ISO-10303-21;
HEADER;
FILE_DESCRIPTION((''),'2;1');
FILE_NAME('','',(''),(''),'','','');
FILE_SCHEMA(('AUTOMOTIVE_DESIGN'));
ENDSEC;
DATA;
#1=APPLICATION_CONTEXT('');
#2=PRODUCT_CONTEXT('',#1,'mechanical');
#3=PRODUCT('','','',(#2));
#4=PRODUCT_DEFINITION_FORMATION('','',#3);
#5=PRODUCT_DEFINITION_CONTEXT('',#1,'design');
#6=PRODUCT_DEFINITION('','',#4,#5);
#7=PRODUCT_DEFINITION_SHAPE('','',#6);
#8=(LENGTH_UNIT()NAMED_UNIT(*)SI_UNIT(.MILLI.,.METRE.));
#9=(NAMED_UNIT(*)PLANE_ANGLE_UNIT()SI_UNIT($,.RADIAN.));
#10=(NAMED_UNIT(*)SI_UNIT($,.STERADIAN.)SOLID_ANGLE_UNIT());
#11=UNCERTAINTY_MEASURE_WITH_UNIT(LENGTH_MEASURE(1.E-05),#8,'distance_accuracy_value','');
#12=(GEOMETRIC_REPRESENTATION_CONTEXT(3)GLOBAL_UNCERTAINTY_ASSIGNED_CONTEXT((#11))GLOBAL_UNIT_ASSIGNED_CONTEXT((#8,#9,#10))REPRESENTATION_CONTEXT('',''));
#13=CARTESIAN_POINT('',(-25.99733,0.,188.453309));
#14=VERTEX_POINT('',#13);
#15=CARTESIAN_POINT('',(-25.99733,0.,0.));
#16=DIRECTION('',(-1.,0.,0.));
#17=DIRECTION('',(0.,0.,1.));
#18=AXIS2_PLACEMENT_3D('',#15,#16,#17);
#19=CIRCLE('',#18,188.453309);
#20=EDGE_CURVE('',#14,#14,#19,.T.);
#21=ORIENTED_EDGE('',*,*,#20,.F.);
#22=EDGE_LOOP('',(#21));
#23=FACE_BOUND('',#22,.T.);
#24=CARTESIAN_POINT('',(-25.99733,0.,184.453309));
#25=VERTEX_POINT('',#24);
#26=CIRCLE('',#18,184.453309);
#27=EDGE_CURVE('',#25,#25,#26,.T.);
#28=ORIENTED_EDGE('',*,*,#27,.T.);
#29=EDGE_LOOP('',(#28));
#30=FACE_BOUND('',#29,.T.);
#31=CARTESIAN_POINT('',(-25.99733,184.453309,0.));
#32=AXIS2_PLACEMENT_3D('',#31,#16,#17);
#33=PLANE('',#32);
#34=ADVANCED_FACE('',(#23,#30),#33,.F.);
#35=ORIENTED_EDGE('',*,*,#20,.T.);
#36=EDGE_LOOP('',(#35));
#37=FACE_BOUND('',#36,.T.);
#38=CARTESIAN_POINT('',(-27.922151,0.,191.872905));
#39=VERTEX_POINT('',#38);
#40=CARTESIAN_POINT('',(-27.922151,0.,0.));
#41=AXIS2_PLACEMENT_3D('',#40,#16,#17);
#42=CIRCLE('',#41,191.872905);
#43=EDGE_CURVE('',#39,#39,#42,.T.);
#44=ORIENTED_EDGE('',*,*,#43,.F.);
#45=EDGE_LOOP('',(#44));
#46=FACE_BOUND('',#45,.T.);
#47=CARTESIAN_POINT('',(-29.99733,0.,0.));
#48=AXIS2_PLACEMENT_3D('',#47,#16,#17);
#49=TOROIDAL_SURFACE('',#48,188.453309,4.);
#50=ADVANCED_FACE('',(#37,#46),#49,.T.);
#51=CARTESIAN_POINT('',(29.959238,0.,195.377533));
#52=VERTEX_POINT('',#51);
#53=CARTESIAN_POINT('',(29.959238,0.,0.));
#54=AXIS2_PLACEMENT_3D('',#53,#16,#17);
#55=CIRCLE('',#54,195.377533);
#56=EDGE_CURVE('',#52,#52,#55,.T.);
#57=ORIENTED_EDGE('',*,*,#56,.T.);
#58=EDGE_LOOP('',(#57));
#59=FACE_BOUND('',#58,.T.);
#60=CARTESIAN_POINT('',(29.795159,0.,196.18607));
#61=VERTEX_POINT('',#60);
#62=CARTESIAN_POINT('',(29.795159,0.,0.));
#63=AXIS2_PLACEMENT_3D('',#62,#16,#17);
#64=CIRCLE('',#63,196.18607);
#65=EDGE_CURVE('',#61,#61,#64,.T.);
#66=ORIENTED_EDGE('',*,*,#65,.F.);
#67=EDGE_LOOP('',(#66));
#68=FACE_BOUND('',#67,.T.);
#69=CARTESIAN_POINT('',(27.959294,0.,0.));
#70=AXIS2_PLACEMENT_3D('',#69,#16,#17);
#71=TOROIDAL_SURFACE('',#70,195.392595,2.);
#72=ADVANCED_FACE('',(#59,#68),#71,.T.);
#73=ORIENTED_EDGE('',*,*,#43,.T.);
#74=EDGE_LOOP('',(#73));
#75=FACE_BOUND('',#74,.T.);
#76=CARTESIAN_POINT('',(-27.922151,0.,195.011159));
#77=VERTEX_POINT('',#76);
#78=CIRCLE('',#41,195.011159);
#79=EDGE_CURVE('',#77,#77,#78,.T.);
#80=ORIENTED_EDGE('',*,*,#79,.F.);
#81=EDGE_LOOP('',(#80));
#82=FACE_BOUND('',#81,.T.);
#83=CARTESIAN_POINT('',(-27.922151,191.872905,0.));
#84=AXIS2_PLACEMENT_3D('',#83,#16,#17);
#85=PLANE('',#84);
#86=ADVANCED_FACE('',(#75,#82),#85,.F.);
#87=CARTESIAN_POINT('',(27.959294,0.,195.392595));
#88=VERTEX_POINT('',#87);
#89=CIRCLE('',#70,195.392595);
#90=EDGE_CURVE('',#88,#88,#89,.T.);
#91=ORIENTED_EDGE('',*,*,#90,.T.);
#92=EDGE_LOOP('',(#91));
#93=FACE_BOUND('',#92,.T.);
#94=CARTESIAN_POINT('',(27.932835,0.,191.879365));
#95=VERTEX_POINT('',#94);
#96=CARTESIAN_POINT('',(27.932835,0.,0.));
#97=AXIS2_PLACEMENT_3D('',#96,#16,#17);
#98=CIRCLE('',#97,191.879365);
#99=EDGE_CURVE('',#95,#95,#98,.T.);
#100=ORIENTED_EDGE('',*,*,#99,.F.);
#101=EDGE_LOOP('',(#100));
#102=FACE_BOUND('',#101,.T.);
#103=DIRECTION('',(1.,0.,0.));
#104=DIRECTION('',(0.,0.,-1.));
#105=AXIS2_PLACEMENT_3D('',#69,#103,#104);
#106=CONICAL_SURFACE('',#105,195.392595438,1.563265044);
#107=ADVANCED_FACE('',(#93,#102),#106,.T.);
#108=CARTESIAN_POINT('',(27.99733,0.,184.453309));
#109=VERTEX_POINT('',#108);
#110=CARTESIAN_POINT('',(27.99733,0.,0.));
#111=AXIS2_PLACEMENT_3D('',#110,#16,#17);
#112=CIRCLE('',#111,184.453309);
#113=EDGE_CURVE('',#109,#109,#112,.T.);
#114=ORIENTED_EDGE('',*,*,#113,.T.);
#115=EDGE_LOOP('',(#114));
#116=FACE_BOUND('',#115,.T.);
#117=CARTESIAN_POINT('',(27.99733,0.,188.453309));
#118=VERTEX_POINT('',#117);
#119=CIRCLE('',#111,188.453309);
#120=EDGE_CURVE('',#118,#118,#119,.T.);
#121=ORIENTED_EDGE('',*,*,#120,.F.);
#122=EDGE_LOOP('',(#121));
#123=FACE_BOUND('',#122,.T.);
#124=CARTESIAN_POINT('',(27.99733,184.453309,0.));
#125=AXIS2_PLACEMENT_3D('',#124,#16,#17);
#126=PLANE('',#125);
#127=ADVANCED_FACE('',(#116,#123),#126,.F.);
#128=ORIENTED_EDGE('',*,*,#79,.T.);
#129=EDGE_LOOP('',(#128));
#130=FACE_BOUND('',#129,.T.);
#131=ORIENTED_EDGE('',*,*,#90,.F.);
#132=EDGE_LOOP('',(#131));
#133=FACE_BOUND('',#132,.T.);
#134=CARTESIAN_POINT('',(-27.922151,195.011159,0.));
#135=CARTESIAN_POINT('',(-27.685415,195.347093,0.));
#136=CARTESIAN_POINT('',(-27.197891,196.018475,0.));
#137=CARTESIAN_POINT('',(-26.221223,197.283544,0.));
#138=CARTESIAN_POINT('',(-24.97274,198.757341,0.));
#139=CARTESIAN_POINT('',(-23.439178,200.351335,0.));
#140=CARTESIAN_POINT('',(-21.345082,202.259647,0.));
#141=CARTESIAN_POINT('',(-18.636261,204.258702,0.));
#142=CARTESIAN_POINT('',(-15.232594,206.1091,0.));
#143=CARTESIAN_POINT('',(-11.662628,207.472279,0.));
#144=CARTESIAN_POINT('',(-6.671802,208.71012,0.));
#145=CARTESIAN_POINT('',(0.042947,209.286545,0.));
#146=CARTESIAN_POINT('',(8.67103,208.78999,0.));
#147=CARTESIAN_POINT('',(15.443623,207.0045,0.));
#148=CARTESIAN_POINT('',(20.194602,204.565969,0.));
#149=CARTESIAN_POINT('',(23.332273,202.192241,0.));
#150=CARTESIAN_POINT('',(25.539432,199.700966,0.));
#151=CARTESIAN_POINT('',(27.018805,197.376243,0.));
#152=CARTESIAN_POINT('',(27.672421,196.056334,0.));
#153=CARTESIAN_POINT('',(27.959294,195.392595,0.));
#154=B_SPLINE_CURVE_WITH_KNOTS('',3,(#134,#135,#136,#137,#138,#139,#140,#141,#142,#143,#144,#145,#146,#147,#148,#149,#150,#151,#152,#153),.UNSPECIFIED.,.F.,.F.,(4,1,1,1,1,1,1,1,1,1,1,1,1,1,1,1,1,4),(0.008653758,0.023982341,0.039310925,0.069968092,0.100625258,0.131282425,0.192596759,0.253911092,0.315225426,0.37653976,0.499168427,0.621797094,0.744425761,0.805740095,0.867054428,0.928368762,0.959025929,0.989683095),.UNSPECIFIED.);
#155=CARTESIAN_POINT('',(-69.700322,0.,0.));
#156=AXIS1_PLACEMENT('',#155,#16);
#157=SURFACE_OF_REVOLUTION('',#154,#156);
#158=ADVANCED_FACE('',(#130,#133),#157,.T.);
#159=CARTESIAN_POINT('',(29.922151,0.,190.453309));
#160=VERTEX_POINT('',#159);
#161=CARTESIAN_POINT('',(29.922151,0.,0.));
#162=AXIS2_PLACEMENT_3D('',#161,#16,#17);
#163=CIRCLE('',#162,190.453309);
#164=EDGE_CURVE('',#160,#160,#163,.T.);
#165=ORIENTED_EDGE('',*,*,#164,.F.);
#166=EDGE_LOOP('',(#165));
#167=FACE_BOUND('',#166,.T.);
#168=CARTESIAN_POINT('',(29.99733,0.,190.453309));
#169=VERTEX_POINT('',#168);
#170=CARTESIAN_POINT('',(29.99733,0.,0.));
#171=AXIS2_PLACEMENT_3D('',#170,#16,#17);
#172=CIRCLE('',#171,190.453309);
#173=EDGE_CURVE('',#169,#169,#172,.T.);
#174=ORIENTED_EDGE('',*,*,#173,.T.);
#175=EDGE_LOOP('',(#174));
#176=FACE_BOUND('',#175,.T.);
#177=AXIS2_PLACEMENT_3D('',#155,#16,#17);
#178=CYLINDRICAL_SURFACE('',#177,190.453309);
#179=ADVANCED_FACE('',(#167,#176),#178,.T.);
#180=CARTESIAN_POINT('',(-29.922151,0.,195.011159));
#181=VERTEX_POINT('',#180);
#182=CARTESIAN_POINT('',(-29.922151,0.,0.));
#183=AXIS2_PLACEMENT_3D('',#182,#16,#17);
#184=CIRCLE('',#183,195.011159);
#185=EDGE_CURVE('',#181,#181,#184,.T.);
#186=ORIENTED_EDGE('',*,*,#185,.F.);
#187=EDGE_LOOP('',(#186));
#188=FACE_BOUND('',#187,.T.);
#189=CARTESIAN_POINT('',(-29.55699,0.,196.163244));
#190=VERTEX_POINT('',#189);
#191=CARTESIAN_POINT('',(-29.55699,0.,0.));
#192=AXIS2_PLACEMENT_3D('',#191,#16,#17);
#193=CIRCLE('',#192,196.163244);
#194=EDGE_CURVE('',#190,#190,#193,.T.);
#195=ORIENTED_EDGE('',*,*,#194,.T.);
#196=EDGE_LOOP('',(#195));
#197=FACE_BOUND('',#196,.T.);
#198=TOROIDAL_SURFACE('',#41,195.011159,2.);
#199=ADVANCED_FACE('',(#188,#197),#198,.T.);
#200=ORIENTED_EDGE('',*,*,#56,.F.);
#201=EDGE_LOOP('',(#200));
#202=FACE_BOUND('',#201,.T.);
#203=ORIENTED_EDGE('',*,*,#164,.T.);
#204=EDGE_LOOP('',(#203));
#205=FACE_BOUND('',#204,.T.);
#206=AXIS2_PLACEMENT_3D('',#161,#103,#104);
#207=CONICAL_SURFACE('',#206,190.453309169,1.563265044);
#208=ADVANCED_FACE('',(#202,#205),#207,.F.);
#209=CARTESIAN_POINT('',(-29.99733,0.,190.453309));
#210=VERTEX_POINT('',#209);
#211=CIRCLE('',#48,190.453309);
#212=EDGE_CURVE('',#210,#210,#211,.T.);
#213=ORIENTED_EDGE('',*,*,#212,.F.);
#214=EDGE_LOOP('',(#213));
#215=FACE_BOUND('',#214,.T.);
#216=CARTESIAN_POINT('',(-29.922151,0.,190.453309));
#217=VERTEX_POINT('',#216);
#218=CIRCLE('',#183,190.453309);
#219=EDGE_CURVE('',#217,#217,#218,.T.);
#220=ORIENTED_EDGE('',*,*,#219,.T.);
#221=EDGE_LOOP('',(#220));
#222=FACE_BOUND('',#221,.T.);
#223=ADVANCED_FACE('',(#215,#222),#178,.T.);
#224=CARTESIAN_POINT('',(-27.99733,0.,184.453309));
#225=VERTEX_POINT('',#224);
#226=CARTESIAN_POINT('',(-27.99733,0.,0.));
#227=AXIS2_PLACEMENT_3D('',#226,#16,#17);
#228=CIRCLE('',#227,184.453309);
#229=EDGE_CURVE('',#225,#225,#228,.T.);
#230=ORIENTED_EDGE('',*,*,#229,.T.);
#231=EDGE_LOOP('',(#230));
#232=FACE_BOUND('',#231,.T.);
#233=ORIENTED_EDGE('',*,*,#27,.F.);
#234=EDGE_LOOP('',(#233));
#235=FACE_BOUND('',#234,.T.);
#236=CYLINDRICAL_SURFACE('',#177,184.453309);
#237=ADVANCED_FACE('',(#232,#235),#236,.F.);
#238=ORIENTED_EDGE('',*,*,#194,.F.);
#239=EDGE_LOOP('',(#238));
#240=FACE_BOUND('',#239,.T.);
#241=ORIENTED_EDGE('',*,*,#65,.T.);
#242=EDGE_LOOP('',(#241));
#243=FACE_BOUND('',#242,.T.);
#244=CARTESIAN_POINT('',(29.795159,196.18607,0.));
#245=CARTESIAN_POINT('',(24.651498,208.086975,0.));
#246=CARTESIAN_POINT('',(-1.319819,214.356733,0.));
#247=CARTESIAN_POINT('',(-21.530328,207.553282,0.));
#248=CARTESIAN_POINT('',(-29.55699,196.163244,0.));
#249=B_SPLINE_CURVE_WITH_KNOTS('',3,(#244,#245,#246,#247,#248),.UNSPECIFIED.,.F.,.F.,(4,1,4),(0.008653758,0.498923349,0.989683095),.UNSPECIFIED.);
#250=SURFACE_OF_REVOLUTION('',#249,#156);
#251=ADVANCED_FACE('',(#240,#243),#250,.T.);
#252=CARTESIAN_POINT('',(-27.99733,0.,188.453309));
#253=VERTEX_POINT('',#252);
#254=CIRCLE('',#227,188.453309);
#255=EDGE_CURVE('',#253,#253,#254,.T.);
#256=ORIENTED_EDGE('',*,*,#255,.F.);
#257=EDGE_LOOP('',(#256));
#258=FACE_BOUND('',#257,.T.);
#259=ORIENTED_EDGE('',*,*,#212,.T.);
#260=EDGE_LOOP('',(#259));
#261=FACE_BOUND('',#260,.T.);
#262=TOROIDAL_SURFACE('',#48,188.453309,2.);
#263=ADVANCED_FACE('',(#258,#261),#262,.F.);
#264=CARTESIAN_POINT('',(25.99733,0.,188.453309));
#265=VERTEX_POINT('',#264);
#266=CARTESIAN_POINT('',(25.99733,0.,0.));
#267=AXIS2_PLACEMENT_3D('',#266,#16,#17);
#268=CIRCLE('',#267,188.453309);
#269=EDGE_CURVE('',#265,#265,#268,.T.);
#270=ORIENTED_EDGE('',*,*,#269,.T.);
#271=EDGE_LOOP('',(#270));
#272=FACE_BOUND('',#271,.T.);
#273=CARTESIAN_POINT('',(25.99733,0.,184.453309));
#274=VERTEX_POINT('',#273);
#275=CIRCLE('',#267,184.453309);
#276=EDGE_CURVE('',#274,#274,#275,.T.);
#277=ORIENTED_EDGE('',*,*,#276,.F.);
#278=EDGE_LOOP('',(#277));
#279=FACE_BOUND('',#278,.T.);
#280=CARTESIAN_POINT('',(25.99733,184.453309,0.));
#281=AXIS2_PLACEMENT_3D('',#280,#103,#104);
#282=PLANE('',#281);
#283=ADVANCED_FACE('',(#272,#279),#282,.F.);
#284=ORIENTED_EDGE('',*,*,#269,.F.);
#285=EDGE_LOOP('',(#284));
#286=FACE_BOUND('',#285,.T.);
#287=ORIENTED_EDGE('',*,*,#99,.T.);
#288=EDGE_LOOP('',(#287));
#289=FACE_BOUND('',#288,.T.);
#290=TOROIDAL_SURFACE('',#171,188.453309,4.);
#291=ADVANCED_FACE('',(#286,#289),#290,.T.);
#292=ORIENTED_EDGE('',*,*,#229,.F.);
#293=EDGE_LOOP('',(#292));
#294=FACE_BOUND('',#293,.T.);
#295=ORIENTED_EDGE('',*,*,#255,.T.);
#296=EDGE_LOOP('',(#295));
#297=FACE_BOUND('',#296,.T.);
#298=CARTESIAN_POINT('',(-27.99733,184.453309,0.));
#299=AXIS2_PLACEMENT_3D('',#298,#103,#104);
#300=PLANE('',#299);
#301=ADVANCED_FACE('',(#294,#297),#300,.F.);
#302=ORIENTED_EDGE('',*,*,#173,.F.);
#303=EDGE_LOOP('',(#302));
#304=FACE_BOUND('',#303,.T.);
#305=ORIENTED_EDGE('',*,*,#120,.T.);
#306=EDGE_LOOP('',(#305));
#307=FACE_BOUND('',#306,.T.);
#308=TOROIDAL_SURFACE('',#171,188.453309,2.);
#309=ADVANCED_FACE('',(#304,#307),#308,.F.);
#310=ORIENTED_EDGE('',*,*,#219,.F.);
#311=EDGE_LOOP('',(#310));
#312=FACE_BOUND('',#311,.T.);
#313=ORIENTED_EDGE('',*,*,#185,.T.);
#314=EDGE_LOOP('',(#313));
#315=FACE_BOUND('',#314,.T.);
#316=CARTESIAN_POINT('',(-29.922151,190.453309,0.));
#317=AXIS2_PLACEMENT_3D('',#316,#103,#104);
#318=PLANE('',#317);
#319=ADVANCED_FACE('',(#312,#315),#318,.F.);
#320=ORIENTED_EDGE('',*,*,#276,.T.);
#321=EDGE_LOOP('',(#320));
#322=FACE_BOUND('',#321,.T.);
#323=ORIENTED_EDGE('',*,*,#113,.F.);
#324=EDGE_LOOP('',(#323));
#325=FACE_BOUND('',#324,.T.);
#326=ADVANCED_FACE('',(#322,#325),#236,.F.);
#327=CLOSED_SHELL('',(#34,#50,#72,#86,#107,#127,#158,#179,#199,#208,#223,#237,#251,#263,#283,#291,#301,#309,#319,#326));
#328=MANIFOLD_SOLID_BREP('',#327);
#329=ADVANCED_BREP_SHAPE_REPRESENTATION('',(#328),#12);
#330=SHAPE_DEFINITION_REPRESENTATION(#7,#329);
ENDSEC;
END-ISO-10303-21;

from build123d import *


with BuildPart() as part:
    # Sketch3 → Revolve1 (revolve)
    with BuildSketch(Plane.XY, mode=Mode.PRIVATE) as revolve1_sk:
        with BuildLine():
            Line((29.922151189, 190.453309169), (29.959237614, 195.377533015))
            ThreePointArc((29.959237614, 195.377533015), (29.919342353, 195.79035386), (29.795158813, 196.186069833))
            add(Edge.make_bspline(
                [(-29.556990141, 196.16324436), (-21.53032751, 207.553282451), (-1.319818558, 214.35673335), (24.651498238, 208.086975281), (29.795158813, 196.186069833)],
                knots=[0.008653758, 0.008653758, 0.008653758, 0.008653758, 0.499413505, 0.989683095, 0.989683095, 0.989683095, 0.989683095], degree=3))
            ThreePointArc((-29.556990141, 196.16324436), (-29.82867655, 195.615444167), (-29.922151189, 195.011158598))
            Line((-29.922151189, 195.011158598), (-29.922151189, 190.453309169))
            Line((-29.922151189, 190.453309169), (-29.997329698, 190.453309169))
            ThreePointArc((-29.997329698, 190.453309169), (-28.583116135, 189.867522731), (-27.997329698, 188.453309169))
            Line((-27.997329698, 188.453309169), (-27.997329698, 184.453309169))
            Line((-27.997329698, 184.453309169), (-25.997329698, 184.453309169))
            Line((-25.997329698, 184.453309169), (-25.997329698, 188.453309169))
            ThreePointArc((-25.997329698, 188.453309169), (-26.511593475, 190.415359877), (-27.922151189, 191.872904782))
            Line((-27.922151189, 191.872904782), (-27.922151189, 195.011158598))
            add(Edge.make_bspline(
                [(-27.922151189, 195.011158598), (-27.685415313, 195.347092818), (-27.197890608, 196.018474921), (-26.221222638, 197.283543916), (-24.972739592, 198.757340926), (-23.439178174, 200.3513349), (-21.34508157, 202.259647181), (-18.636260658, 204.258701964), (-15.232594238, 206.109100247), (-11.662628086, 207.472279037), (-6.671801563, 208.710119895), (0.042946591, 209.286544548), (8.671030055, 208.789989675), (15.443623036, 207.004500137), (20.194601728, 204.565969407), (23.332273245, 202.192241493), (25.53943247, 199.700965982), (27.018804746, 197.376242979), (27.67242145, 196.056334233), (27.959294334, 195.392595438)],
                knots=[0.008653758, 0.008653758, 0.008653758, 0.008653758, 0.023982341, 0.039310925, 0.069968092, 0.100625258, 0.131282425, 0.192596759, 0.253911092, 0.315225426, 0.37653976, 0.499168427, 0.621797094, 0.744425761, 0.805740095, 0.867054428, 0.928368762, 0.959025929, 0.989683095, 0.989683095, 0.989683095, 0.989683095], degree=3))
            Line((27.959294334, 195.392595438), (27.932834703, 191.879365271))
            ThreePointArc((27.932834703, 191.879365271), (26.514659746, 190.420797418), (25.997329698, 188.453309169))
            Line((25.997329698, 188.453309169), (25.997329698, 184.453309169))
            Line((25.997329698, 184.453309169), (27.997329698, 184.453309169))
            Line((27.997329698, 184.453309169), (27.997329698, 188.453309169))
            ThreePointArc((27.997329698, 188.453309169), (28.583116135, 189.867522731), (29.997329698, 190.453309169))
            Line((29.997329698, 190.453309169), (29.922151189, 190.453309169))
        make_face()
    revolve(revolve1_sk.sketch.rotate(Axis((-69.700321806, 0, 0), (1, 0, 0)), 90), axis=Axis((-69.700321806, 0, 0), (1, 0, 0)))


solid = part.part
